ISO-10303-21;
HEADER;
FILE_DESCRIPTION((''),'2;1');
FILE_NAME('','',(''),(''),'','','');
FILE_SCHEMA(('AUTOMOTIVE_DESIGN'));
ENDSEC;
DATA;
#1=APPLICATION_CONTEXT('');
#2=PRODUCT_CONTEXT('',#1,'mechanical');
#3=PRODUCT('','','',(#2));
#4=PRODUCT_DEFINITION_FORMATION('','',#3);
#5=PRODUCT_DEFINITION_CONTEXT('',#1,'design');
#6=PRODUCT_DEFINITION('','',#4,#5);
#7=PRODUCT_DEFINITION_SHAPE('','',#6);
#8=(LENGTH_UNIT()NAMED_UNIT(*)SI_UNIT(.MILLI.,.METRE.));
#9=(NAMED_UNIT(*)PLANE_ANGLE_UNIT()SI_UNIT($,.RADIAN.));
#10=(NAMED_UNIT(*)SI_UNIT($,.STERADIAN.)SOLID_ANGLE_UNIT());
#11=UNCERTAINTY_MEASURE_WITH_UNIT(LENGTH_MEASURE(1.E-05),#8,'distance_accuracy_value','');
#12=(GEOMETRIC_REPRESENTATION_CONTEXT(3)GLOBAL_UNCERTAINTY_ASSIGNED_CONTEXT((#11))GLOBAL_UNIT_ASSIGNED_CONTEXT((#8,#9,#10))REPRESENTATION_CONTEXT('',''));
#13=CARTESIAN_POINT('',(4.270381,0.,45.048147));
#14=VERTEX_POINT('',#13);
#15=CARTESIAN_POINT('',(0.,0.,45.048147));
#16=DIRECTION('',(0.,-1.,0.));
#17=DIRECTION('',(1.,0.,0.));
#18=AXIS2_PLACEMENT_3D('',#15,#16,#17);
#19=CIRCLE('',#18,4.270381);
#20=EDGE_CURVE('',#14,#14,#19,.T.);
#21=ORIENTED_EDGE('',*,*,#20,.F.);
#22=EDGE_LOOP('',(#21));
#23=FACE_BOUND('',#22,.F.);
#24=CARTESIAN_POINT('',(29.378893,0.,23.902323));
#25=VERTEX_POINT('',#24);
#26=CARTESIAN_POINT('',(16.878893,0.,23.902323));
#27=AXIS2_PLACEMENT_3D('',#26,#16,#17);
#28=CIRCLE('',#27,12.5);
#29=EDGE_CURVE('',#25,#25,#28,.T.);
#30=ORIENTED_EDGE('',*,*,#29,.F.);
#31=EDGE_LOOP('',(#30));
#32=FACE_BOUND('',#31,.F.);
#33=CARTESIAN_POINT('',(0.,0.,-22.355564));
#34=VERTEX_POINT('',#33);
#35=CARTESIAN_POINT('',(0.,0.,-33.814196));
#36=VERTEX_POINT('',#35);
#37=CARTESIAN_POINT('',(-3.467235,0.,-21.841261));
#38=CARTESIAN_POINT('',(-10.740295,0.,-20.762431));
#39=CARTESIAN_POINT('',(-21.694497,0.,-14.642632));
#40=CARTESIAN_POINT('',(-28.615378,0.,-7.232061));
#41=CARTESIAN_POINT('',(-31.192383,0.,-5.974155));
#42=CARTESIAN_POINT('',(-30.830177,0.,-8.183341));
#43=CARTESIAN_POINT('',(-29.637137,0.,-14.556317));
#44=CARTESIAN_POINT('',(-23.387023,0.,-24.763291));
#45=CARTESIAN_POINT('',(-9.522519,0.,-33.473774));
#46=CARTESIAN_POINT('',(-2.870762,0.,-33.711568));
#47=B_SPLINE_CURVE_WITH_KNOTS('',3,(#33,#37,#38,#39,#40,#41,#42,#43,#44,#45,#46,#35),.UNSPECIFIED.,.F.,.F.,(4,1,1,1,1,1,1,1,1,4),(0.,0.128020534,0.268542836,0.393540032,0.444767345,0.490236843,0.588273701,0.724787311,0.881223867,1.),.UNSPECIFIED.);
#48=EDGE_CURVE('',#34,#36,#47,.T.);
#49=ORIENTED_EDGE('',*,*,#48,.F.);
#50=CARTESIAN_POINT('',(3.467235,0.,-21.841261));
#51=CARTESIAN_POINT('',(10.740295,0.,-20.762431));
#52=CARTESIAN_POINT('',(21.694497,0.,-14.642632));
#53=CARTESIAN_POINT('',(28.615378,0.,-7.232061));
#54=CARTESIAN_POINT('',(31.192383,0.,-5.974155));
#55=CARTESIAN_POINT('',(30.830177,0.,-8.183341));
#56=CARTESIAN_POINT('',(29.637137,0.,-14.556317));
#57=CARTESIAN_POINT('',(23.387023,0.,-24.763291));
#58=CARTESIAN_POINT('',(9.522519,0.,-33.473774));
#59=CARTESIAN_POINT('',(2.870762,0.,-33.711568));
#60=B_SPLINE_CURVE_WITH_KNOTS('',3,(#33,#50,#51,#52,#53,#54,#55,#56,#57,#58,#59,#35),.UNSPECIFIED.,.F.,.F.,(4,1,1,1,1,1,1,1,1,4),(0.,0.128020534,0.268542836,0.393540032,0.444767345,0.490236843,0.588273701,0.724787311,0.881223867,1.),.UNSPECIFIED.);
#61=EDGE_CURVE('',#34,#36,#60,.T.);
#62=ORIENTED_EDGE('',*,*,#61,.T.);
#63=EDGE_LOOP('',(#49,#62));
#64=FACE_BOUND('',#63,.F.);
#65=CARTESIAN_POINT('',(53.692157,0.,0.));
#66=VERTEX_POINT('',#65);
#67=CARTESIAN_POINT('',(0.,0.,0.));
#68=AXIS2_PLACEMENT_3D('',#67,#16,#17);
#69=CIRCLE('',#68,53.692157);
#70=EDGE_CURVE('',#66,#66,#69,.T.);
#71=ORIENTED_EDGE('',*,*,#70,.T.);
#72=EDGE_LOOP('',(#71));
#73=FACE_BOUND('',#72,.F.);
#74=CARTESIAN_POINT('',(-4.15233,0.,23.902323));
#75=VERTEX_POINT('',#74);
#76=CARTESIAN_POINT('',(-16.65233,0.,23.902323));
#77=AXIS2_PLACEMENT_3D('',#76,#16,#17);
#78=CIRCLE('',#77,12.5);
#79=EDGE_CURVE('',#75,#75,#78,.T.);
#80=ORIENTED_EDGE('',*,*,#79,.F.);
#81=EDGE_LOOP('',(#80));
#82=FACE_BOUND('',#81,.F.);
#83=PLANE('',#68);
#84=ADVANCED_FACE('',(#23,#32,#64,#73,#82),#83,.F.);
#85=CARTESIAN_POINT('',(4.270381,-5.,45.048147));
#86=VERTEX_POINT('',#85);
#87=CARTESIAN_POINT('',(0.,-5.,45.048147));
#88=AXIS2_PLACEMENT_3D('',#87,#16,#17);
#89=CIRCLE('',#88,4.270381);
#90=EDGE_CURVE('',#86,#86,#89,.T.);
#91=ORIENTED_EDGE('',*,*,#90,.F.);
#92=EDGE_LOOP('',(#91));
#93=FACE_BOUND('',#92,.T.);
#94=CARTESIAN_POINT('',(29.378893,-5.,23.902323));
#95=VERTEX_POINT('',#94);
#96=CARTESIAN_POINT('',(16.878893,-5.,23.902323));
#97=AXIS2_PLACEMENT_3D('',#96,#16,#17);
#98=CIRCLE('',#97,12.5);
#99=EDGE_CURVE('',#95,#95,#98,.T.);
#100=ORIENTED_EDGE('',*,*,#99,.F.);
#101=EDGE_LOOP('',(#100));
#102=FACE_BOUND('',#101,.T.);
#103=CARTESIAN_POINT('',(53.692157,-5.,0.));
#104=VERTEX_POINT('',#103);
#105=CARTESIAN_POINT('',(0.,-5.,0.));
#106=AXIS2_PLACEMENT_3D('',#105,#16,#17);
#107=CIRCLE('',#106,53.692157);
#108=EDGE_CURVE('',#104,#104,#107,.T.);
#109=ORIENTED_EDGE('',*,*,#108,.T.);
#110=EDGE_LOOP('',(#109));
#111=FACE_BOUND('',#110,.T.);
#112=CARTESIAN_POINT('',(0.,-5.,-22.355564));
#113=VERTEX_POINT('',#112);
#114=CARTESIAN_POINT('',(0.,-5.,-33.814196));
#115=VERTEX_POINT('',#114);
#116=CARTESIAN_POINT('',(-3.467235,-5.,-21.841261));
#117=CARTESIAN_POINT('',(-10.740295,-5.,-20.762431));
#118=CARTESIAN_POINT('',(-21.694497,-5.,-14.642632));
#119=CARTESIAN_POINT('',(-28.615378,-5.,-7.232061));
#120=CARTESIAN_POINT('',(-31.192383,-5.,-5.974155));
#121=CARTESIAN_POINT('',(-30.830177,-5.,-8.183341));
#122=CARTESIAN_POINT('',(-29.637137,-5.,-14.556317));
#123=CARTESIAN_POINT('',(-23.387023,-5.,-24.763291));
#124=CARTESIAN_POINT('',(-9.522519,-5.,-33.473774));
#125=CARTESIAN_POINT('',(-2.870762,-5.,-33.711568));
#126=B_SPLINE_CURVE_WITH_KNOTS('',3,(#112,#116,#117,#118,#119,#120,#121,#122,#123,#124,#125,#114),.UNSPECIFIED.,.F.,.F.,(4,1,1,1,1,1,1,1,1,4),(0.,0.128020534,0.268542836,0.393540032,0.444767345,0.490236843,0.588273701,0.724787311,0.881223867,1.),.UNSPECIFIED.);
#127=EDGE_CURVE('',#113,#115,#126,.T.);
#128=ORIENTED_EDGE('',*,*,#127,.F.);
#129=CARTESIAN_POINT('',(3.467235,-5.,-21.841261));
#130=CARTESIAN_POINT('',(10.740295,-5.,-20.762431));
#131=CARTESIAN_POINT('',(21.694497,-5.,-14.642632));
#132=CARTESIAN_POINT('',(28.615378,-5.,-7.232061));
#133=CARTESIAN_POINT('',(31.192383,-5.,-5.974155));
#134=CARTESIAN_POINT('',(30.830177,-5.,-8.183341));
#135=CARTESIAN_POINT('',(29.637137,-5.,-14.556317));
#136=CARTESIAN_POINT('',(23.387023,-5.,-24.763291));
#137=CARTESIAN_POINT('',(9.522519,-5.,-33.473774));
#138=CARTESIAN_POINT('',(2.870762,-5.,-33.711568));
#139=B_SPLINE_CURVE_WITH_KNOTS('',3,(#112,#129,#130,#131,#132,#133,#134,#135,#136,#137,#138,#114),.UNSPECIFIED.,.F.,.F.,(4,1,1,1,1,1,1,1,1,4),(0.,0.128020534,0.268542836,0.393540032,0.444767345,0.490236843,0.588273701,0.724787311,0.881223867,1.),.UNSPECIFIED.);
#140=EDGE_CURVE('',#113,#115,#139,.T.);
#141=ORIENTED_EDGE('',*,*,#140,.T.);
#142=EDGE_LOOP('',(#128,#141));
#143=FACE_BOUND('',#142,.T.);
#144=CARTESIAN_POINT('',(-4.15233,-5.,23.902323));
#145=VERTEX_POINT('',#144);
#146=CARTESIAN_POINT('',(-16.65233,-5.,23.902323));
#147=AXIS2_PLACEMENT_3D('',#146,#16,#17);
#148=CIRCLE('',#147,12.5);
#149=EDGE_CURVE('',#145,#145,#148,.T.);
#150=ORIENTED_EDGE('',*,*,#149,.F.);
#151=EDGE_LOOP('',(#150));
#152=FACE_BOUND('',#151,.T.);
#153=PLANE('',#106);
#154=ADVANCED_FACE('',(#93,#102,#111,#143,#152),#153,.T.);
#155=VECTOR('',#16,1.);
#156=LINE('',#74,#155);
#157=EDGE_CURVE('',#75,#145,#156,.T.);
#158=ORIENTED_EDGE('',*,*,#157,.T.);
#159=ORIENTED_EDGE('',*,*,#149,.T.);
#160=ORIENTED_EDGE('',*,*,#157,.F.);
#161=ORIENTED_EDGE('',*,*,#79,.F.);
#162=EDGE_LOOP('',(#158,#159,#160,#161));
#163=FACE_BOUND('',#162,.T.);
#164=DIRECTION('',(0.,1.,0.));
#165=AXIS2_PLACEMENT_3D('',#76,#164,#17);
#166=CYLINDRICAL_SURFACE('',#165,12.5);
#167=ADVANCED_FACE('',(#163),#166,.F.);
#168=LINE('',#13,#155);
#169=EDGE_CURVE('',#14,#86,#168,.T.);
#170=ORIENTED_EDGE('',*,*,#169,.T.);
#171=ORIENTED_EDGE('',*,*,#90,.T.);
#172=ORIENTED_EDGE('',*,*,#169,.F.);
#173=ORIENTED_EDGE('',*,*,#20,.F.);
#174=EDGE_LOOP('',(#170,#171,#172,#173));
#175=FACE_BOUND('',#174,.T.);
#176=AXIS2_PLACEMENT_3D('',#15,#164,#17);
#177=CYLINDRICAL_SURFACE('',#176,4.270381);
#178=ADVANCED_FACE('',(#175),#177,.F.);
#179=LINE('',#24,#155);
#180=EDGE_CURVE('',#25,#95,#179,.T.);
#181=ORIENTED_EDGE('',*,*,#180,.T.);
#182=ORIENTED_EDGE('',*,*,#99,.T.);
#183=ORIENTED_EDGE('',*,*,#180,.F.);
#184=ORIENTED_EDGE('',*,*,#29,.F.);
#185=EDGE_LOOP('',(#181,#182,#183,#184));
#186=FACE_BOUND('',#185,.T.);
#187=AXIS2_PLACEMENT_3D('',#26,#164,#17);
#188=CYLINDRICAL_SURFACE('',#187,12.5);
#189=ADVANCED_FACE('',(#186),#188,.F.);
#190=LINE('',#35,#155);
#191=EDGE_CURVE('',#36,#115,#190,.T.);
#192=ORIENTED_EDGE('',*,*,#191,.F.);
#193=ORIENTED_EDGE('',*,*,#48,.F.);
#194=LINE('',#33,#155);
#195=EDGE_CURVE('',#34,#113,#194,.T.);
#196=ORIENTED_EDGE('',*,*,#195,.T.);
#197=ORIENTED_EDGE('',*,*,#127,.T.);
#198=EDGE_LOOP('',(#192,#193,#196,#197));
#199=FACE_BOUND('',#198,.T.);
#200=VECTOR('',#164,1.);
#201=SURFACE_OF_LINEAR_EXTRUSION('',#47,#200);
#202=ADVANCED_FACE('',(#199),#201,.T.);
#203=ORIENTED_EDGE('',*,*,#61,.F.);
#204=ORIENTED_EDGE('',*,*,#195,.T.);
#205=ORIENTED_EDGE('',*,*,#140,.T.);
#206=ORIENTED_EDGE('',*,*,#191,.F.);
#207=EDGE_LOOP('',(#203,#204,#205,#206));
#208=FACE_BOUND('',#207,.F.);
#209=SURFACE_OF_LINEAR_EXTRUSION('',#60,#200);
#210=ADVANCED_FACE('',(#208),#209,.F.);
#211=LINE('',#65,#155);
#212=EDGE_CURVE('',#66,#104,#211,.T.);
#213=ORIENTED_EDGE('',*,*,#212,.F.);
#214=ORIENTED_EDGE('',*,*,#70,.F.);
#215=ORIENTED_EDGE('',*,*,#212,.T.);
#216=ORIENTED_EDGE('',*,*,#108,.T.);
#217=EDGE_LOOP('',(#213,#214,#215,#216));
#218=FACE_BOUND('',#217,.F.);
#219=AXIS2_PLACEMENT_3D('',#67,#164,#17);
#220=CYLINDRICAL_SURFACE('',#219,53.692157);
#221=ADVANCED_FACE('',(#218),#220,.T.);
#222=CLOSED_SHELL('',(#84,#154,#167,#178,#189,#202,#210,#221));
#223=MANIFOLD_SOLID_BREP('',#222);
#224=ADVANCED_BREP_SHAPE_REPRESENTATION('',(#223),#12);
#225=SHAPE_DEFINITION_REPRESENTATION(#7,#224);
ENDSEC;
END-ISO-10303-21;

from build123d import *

# Parameters (mm, degrees)
F0_R     = 53.6921565225
F0_R_2   = 12.5
F0_R_3   = 4.270381187
F1_DEPTH = 5


with BuildPart() as f1:
    # F0 (on Front) → F1 (new body)
    with BuildSketch(Plane.XZ):
        Circle(F0_R)
        with BuildLine():
            add(Edge.make_bspline(
                [(0, -22.3555639386), (-3.4672349192, -21.8412608715), (-10.7402954778, -20.7624307836), (-21.6944969017, -14.6426323073), (-28.6153777814, -7.2320609926), (-31.1923831294, -5.974154894), (-30.8301774573, -8.1833405456), (-29.6371366782, -14.5563174316), (-23.3870227217, -24.7632910904), (-9.52251868, -33.4737742331), (-2.8707615075, -33.7115684522), (0, -33.8141955435)],
                knots=[0, 0, 0, 0, 0.1280205342, 0.2685428359, 0.3935400324, 0.4447673453, 0.4902368426, 0.5882737011, 0.7247873105, 0.8812238669, 1, 1, 1, 1], degree=3))
            add(Edge.make_bspline(
                [(0, -22.3555639386), (3.4672349192, -21.8412608715), (10.7402954778, -20.7624307836), (21.6944969017, -14.6426323073), (28.6153777814, -7.2320609926), (31.1923831294, -5.974154894), (30.8301774573, -8.1833405456), (29.6371366782, -14.5563174316), (23.3870227217, -24.7632910904), (9.52251868, -33.4737742331), (2.8707615075, -33.7115684522), (0, -33.8141955435)],
                knots=[0, 0, 0, 0, 0.1280205342, 0.2685428359, 0.3935400324, 0.4447673453, 0.4902368426, 0.5882737011, 0.7247873105, 0.8812238669, 1, 1, 1, 1], degree=3))
        make_face(mode=Mode.SUBTRACT)
        with Locations((-16.652330115, 23.902322901)):
            Circle(F0_R_2, mode=Mode.SUBTRACT)
        with Locations((16.8788930939, 23.902322901)):
            Circle(F0_R_2, mode=Mode.SUBTRACT)
        with Locations((0, 45.04814744)):
            Circle(F0_R_3, mode=Mode.SUBTRACT)
    extrude(amount=F1_DEPTH)


solid = f1.part
